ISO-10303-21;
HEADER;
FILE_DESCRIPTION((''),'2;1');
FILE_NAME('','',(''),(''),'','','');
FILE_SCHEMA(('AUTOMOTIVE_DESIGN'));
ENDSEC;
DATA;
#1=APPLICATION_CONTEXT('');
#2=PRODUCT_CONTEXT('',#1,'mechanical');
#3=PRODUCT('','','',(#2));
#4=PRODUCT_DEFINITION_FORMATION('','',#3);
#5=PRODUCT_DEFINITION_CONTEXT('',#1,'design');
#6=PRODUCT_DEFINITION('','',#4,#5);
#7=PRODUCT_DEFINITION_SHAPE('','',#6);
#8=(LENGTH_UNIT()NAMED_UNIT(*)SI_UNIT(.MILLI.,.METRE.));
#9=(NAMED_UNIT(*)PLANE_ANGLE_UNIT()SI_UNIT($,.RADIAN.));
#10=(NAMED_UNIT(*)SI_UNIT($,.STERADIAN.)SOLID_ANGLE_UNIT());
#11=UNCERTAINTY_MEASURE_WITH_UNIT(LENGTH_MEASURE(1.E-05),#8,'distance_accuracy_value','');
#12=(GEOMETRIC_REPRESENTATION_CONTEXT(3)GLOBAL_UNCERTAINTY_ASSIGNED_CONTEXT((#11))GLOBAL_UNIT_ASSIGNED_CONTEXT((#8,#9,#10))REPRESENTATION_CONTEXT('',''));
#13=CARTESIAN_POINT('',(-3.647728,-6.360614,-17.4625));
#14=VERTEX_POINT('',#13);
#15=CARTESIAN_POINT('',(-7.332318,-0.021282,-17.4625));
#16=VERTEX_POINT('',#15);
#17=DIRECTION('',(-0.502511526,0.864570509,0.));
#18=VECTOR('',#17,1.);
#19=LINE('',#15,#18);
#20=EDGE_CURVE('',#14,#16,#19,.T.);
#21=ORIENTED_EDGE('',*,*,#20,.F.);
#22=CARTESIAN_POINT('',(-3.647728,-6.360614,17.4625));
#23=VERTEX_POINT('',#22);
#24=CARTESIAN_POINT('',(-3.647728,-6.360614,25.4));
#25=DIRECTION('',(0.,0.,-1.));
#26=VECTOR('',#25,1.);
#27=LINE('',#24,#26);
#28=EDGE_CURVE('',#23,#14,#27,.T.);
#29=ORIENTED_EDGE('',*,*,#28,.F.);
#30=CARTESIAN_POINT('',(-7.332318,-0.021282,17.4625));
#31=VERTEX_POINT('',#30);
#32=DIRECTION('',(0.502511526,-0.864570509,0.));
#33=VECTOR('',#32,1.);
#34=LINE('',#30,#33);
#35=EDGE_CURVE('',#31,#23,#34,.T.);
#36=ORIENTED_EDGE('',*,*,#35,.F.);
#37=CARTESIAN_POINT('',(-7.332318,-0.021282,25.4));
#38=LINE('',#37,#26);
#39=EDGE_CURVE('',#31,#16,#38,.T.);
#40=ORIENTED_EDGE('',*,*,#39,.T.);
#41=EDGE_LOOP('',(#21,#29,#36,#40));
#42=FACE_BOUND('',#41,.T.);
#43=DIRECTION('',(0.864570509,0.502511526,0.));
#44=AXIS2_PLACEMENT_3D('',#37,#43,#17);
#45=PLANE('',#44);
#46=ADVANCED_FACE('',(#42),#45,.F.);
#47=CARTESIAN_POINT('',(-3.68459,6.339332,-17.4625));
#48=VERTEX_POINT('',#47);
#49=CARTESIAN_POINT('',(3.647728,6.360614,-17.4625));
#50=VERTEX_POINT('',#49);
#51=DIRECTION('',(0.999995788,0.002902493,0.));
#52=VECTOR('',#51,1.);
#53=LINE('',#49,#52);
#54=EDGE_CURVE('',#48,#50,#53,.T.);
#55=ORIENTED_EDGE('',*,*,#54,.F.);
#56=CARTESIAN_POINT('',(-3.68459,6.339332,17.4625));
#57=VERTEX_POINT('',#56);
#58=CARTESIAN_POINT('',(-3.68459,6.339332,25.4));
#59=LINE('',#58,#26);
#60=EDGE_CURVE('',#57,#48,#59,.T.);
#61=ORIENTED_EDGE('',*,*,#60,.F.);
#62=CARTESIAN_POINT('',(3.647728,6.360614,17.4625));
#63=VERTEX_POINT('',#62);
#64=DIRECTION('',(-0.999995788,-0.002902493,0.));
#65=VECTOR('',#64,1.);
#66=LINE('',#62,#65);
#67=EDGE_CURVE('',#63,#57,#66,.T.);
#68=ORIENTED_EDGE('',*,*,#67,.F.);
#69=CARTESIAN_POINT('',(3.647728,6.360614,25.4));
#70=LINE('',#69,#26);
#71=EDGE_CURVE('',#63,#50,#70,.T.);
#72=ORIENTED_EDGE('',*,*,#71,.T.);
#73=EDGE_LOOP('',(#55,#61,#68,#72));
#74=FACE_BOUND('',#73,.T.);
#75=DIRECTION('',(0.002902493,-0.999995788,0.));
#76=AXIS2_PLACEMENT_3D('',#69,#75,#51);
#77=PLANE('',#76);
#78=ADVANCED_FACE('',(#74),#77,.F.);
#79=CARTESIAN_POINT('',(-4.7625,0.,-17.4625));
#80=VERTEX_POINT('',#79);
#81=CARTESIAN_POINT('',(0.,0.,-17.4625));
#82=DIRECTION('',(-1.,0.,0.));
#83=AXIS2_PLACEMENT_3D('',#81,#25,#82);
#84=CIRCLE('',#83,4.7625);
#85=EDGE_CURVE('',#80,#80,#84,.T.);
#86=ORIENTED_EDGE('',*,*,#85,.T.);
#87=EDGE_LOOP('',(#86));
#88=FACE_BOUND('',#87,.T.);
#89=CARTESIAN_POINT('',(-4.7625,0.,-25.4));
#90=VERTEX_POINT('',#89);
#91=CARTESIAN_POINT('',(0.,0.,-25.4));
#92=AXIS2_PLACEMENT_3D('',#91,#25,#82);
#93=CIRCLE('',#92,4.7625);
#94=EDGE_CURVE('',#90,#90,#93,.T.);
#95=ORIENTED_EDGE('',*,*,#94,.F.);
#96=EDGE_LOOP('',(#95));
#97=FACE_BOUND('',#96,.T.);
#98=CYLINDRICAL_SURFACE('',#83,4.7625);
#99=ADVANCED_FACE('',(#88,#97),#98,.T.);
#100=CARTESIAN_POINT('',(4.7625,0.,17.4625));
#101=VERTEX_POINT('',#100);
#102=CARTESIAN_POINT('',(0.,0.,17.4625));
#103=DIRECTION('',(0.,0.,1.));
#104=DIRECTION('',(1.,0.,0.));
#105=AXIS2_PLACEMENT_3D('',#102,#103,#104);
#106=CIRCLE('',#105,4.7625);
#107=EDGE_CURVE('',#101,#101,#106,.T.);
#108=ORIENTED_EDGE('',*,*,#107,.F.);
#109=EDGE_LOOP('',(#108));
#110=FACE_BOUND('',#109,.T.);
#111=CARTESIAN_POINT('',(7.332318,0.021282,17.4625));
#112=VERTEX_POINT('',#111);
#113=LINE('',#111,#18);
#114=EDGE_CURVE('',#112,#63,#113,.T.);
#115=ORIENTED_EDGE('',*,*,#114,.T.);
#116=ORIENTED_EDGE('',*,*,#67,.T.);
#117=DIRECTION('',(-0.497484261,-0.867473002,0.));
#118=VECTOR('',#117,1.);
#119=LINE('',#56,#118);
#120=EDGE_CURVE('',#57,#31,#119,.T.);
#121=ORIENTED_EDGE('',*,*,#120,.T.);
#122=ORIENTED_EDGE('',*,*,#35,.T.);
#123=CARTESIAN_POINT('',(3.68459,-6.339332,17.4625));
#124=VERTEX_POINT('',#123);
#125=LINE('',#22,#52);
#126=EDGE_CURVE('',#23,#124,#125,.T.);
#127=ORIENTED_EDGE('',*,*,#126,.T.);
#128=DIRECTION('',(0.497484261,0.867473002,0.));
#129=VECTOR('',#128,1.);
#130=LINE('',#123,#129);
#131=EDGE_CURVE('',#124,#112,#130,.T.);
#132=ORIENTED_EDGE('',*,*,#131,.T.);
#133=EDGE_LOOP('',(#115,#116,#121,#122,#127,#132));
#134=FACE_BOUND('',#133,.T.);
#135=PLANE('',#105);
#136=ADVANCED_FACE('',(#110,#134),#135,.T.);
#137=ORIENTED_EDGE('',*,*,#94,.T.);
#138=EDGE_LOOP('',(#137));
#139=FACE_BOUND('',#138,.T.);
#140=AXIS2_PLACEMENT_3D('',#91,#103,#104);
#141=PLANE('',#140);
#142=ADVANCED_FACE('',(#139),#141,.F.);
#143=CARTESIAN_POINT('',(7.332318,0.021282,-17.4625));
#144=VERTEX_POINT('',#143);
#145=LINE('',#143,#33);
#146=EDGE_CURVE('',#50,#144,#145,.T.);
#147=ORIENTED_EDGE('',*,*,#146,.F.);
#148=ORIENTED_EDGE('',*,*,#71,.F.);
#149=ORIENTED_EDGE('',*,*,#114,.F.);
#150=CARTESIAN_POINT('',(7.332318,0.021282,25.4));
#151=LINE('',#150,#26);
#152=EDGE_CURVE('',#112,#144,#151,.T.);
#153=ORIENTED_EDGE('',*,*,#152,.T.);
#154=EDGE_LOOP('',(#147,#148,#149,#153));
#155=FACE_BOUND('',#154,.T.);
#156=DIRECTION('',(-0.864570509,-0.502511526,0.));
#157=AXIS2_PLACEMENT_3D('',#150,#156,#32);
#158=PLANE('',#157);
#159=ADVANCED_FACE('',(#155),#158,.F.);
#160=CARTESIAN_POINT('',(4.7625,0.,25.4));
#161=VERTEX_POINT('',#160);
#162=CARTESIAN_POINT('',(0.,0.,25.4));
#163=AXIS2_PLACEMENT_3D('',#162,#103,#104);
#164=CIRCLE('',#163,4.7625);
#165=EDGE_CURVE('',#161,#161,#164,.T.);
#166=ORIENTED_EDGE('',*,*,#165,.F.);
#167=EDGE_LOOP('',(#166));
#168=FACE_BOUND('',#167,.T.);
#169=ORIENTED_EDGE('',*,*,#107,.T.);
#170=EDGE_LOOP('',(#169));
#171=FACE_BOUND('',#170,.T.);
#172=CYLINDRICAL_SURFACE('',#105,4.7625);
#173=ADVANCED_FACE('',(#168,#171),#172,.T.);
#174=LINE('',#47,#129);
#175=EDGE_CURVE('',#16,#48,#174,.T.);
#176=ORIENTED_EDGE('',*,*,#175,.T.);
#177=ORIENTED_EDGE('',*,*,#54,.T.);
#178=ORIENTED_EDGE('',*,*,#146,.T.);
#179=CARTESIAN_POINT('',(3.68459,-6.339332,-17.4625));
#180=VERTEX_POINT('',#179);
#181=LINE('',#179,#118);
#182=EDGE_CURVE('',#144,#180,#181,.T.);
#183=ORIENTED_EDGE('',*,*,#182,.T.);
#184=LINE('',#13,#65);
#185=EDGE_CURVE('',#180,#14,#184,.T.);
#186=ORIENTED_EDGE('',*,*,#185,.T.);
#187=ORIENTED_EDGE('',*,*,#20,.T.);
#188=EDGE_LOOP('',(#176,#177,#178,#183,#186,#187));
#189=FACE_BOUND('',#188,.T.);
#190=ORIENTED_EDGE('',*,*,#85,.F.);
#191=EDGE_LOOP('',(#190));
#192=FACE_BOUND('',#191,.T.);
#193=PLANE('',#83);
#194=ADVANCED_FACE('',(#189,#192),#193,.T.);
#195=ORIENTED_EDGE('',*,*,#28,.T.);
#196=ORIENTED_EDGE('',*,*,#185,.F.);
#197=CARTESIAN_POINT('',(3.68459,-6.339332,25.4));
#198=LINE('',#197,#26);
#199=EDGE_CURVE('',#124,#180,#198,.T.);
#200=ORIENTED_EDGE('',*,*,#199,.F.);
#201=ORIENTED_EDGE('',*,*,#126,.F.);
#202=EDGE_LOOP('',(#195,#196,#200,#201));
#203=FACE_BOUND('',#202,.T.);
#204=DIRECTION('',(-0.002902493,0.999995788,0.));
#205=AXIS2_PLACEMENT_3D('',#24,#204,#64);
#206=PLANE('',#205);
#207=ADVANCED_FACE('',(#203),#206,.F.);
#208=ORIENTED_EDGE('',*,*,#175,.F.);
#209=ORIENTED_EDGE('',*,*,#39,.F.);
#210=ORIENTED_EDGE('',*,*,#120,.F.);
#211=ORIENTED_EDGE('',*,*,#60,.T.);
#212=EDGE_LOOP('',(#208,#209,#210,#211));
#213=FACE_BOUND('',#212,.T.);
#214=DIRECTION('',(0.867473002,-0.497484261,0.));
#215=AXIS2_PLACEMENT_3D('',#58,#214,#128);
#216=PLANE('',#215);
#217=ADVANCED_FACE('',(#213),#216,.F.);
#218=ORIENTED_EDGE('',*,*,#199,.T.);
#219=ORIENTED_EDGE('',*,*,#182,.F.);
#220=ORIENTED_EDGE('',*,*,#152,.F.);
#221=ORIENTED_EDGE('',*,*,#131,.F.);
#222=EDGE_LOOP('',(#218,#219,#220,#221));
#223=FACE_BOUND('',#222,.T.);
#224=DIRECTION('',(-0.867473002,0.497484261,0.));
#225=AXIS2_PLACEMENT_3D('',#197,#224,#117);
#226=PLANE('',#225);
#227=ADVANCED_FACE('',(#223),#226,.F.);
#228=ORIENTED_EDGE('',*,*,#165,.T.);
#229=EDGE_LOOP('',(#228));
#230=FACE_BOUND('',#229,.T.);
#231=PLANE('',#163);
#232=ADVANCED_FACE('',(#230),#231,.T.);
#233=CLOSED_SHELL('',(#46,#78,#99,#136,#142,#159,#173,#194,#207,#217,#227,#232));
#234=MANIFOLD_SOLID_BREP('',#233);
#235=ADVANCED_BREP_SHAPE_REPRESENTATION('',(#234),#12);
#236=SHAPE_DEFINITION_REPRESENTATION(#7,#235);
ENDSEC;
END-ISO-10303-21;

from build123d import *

# Parameters (mm, degrees)
BOSS_EXTRUDE1_DEPTH = 25.4
SKETCH2_R           = 7.332348419
SKETCH2_R_2         = 4.7625
CUT_EXTRUDE1_DEPTH  = 7.9375
CUT_EXTRUDE2_START  = -7.9375
SKETCH3_R           = 7.332348419
SKETCH3_R_2         = 4.7625
CUT_EXTRUDE2_DEPTH  = 7.9375


with BuildPart() as part:
    # Sketch1 → Boss-Extrude1 (new, symmetric)
    with BuildSketch(Plane.XY):
        Polygon((3.684589596, -6.339332208), (7.332317533, 0.021282089), (3.647727937, 6.360614297), (-3.684589596, 6.339332208), (-7.332317533, -0.021282089), (-3.647727937, -6.360614297), align=None)
    extrude(amount=BOSS_EXTRUDE1_DEPTH, both=True)

    # Sketch2 → Cut-Extrude1 (cut)
    with BuildSketch(Plane.XY.offset(25.4)):
        Circle(SKETCH2_R)
        Circle(SKETCH2_R_2, mode=Mode.SUBTRACT)
    extrude(amount=-CUT_EXTRUDE1_DEPTH, mode=Mode.SUBTRACT)

    # Sketch3 → Cut-Extrude2 (cut)
    with BuildSketch(Plane(origin=(0, 0, -25.4), x_dir=(-1, 0, 0), z_dir=(0, 0, -1)).offset(CUT_EXTRUDE2_START)):
        Circle(SKETCH3_R)
        with Locations(Location((0, 0, 0), (0, 0, 180))):
            Circle(SKETCH3_R_2, mode=Mode.SUBTRACT)
    extrude(amount=CUT_EXTRUDE2_DEPTH, mode=Mode.SUBTRACT)


solid = part.part
